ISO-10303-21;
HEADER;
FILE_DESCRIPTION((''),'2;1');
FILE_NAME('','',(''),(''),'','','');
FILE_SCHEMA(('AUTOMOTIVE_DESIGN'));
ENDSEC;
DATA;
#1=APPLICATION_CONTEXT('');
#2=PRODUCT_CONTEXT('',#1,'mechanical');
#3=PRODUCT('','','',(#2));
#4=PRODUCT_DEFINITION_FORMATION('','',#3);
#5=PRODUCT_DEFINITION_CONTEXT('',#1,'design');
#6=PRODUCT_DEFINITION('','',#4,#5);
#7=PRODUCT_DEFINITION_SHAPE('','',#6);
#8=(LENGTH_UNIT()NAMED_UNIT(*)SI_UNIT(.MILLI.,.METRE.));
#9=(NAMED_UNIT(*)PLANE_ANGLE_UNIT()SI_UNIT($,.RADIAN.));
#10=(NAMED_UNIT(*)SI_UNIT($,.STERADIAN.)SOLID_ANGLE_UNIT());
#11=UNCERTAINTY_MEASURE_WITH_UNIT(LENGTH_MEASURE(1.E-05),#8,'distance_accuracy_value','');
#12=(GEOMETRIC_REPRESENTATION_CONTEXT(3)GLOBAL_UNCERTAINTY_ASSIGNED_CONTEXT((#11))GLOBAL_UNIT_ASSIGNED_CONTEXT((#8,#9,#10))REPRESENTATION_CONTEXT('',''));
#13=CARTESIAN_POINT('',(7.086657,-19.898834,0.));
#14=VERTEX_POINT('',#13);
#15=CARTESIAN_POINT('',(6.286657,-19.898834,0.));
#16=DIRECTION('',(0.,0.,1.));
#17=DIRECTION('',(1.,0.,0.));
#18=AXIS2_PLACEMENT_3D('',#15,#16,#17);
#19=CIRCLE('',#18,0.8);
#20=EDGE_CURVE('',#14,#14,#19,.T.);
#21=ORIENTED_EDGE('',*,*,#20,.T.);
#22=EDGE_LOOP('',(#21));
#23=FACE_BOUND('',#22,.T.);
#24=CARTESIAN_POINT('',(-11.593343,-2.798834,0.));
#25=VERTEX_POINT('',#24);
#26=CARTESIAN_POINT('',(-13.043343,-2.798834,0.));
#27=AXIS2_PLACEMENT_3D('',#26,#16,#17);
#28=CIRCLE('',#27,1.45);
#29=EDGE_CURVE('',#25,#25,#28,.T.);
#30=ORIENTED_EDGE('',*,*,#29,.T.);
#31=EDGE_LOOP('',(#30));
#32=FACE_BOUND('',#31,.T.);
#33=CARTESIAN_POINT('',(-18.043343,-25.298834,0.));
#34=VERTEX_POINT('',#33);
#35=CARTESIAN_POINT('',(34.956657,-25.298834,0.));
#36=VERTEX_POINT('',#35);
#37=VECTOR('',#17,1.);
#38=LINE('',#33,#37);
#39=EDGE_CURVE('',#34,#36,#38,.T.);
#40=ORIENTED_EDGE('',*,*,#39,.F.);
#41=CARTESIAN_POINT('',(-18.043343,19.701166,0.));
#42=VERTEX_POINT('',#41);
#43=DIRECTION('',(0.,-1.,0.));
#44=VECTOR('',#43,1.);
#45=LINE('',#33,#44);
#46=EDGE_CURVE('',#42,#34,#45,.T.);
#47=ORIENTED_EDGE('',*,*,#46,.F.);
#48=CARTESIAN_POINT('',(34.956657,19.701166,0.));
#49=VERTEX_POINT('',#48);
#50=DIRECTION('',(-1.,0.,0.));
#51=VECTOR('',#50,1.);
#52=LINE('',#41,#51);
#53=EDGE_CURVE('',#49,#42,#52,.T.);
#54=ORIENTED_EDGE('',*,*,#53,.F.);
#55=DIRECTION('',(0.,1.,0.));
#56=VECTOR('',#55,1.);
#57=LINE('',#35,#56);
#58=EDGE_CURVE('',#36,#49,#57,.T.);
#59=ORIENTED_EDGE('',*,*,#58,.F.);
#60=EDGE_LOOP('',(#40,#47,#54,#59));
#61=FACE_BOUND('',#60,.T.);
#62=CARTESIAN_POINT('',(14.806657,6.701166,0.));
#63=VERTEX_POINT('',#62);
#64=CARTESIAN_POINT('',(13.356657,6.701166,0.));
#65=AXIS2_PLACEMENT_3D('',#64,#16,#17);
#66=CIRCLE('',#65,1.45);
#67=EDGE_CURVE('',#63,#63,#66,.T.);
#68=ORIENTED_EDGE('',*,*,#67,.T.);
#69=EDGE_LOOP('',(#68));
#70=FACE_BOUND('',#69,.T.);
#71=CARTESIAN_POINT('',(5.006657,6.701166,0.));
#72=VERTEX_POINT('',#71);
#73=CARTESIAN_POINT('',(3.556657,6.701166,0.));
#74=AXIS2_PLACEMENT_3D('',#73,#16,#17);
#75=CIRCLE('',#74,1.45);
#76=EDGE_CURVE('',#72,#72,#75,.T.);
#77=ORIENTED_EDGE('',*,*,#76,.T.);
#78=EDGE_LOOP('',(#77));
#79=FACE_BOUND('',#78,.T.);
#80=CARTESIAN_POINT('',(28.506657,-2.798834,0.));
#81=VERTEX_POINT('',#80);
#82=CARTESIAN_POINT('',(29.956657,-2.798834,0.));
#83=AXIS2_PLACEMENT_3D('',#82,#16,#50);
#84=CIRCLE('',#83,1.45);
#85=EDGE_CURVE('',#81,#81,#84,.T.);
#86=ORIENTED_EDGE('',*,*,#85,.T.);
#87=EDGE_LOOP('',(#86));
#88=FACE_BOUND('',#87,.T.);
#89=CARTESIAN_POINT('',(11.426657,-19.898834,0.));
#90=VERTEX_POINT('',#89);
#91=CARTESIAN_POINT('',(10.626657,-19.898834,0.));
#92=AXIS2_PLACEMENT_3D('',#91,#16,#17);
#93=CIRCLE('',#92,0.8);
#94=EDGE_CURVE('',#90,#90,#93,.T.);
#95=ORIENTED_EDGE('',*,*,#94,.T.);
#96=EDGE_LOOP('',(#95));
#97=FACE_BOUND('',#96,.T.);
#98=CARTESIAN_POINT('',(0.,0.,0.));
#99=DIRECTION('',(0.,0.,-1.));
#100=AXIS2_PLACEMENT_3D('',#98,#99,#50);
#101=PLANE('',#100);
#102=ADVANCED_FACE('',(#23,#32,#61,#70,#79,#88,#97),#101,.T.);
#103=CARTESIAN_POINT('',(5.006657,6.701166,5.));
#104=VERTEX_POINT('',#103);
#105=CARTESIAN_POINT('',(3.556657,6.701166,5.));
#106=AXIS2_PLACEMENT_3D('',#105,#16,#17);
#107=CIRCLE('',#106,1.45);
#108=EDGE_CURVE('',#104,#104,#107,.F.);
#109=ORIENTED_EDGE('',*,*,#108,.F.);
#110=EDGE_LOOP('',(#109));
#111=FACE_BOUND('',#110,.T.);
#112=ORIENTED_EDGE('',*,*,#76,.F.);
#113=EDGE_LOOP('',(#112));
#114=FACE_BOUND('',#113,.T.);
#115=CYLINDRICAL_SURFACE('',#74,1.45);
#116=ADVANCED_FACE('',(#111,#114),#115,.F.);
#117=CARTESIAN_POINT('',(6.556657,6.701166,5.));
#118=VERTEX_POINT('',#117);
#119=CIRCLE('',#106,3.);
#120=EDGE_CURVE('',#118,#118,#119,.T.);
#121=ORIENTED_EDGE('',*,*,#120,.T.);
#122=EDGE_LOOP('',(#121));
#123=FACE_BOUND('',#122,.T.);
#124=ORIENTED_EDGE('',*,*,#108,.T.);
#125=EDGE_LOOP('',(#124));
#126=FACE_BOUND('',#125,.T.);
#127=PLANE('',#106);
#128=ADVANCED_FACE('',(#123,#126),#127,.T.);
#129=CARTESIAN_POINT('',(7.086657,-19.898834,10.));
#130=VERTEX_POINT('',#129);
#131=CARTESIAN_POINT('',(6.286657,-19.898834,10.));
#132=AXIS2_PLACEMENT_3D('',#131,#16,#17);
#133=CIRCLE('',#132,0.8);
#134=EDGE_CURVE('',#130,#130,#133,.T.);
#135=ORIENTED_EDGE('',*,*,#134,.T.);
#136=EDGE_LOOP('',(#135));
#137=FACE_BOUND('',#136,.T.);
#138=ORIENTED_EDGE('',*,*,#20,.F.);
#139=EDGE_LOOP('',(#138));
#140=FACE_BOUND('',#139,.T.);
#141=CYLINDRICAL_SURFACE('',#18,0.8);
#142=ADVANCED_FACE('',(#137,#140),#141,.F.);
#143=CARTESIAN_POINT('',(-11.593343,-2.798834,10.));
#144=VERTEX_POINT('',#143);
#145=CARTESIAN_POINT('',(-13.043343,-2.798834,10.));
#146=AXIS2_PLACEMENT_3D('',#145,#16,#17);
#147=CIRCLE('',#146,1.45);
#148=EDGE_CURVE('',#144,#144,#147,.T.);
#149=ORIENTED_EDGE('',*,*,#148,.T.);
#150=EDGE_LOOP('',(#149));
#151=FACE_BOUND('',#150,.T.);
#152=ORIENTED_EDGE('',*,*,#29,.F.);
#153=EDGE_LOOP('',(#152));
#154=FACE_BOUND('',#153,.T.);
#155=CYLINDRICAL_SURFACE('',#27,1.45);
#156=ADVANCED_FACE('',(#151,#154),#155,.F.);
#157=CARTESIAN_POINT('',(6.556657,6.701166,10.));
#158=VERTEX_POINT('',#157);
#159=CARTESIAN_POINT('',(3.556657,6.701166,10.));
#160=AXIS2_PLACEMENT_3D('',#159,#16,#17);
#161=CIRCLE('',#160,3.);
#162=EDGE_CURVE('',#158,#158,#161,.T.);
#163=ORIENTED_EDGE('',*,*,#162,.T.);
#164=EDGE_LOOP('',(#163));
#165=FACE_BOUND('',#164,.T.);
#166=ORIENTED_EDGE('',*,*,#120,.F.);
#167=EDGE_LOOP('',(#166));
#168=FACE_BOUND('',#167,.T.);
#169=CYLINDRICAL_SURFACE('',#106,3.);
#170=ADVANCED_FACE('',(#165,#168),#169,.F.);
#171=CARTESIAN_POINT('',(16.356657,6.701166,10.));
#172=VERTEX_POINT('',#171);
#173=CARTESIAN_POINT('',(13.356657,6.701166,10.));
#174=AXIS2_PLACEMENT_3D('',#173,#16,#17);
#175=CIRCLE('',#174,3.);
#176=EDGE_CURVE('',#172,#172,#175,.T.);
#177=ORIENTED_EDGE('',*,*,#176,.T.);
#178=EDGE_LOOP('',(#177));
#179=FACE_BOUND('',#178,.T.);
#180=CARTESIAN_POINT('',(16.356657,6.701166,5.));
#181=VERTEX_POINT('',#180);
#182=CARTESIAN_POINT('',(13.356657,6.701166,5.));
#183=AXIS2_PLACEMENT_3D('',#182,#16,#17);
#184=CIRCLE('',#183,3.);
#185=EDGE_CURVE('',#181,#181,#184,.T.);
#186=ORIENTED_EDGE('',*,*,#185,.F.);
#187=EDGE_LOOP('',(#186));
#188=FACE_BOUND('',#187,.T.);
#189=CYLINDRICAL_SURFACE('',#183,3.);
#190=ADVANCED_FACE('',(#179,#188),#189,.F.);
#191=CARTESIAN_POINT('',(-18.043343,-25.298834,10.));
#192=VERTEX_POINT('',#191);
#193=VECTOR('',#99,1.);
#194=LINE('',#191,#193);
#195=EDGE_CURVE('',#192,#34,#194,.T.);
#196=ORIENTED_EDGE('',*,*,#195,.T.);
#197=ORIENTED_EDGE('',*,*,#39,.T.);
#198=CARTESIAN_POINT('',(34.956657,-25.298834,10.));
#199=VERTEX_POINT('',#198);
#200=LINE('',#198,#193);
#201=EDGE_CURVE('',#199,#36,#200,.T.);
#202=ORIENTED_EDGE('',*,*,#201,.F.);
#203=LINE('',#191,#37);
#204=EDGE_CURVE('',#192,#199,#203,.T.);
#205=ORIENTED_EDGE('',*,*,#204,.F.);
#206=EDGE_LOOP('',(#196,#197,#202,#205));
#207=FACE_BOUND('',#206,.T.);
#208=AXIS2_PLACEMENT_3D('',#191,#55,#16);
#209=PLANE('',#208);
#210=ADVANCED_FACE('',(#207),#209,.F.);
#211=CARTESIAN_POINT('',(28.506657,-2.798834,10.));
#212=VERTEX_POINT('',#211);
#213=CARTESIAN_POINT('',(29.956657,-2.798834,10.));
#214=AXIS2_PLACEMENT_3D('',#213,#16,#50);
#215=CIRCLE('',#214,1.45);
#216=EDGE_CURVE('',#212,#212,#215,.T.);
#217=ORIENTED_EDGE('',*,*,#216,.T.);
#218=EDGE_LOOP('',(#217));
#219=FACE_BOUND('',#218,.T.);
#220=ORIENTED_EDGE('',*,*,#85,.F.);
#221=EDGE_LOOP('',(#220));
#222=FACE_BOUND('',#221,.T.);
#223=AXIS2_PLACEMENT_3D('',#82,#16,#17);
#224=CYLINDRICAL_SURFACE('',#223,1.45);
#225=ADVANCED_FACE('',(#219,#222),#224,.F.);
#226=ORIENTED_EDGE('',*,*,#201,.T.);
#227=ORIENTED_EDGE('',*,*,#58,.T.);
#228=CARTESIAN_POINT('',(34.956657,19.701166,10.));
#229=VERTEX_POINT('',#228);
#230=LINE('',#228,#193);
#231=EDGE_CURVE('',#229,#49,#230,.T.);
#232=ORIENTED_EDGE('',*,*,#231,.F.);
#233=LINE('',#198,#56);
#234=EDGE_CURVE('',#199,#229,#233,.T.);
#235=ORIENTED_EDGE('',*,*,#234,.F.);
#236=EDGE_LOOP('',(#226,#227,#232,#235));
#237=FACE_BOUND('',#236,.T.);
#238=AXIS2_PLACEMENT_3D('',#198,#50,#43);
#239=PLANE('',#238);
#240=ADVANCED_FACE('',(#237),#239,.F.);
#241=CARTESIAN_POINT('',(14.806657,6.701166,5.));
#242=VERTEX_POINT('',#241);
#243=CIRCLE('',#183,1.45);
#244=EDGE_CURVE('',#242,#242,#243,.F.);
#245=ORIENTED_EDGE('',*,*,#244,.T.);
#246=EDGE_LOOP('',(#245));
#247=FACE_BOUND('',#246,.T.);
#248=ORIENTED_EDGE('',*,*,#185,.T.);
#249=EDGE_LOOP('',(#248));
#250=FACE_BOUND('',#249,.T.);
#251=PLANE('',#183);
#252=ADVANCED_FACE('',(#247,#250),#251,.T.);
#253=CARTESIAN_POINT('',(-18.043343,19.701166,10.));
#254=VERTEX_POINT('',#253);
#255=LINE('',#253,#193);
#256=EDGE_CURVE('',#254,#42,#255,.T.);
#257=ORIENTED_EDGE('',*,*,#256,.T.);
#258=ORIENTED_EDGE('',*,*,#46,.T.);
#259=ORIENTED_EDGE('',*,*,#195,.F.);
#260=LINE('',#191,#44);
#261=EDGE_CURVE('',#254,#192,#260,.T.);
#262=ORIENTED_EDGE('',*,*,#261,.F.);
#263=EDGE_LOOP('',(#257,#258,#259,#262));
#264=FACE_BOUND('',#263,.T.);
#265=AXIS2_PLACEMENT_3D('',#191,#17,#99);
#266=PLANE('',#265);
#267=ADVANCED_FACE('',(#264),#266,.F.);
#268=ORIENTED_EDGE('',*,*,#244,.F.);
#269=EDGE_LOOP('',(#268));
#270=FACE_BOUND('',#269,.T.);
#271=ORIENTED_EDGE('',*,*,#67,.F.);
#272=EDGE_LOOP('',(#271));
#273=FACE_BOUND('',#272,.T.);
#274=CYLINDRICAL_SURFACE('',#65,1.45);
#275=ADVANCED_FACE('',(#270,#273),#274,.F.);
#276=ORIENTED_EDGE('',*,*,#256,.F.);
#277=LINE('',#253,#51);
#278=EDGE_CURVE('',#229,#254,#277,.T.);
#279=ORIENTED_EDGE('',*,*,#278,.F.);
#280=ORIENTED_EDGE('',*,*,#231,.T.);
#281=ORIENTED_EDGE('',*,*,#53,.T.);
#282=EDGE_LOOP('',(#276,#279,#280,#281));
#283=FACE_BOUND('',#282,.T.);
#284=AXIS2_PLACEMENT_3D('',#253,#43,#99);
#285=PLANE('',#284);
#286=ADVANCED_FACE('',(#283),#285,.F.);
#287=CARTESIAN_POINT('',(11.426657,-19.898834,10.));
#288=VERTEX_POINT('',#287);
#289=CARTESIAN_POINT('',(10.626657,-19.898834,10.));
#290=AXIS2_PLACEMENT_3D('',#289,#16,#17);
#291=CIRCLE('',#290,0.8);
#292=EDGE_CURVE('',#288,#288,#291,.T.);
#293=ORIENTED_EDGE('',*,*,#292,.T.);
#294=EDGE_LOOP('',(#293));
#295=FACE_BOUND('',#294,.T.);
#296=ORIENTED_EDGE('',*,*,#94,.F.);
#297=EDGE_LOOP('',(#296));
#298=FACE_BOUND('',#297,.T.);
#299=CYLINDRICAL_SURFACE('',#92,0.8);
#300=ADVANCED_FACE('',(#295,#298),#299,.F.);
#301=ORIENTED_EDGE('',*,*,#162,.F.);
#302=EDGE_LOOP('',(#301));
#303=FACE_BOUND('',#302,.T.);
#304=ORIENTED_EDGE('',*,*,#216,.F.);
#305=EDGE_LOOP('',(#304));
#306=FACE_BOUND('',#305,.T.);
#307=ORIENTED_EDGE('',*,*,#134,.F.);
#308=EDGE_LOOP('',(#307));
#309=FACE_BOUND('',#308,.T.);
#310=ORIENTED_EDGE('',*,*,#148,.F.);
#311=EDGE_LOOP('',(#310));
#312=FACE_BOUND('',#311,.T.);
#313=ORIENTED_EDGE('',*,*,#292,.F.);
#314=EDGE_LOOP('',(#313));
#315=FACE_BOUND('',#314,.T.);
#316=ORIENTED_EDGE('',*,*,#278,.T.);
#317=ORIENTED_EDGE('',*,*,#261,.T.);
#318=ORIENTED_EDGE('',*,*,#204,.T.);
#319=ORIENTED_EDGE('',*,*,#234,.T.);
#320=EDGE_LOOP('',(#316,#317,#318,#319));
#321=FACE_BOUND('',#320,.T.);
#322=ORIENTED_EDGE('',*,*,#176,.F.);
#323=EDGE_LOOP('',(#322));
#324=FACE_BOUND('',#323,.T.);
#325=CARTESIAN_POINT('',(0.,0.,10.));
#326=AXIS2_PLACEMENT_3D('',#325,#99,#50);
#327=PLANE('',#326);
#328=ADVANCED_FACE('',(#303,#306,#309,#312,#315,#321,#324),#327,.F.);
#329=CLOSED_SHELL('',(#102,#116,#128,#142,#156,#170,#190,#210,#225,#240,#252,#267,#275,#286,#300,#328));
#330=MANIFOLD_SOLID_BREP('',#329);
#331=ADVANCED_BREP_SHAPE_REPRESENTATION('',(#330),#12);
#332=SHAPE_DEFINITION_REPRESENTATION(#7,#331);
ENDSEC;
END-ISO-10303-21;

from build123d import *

# Parameters (mm, degrees)
CROQUIS1_W              = 53
CROQUIS1_H              = 45
SALIENTE_EXTRUIR1_DEPTH = 10
CROQUIS2_R              = 0.8
CORTAR_EXTRUIR1_DEPTH   = 10
CROQUIS3_R              = 1.45
CORTAR_EXTRUIR2_DEPTH   = 10
CROQUIS4_R              = 3
CORTAR_EXTRUIR3_DEPTH   = 5
CROQUIS5_R              = 1.45
CORTAR_EXTRUIR4_DEPTH   = 10


with BuildPart() as part:
    # Croquis1 → Saliente-Extruir1 (new body)
    with BuildSketch(Plane.XY):
        with Locations((8.456656727, -2.798833819)):
            Rectangle(CROQUIS1_W, CROQUIS1_H)
    extrude(amount=SALIENTE_EXTRUIR1_DEPTH)

    # Croquis2 → Cortar-Extruir1 (cut)
    with BuildSketch(Plane.XY.offset(10)):
        with Locations((6.286656727, -19.898833819)):
            Circle(CROQUIS2_R)
        with Locations((10.626656727, -19.898833819)):
            Circle(CROQUIS2_R)
    extrude(amount=-CORTAR_EXTRUIR1_DEPTH, mode=Mode.SUBTRACT)

    # Croquis3 → Cortar-Extruir2 (cut)
    with BuildSketch(Plane.XY.offset(10)):
        with Locations((13.356656727, 6.701166181)):
            Circle(CROQUIS3_R)
        with Locations((3.556656727, 6.701166181)):
            Circle(CROQUIS3_R)
    extrude(amount=-CORTAR_EXTRUIR2_DEPTH, mode=Mode.SUBTRACT)

    # Croquis4 → Cortar-Extruir3 (cut)
    with BuildSketch(Plane.XY.offset(10)):
        with Locations((3.556656727, 6.701166181)):
            Circle(CROQUIS4_R)
        with Locations((13.356656727, 6.701166181)):
            Circle(CROQUIS4_R)
    extrude(amount=-CORTAR_EXTRUIR3_DEPTH, mode=Mode.SUBTRACT)

    # Croquis5 → Cortar-Extruir4 (cut)
    with BuildSketch(Plane.XY.offset(10)):
        with Locations((-13.043343273, -2.798833819)):
            Circle(CROQUIS5_R)
        with Locations(Location((29.956656727, -2.798833819, 0), (0, 0, 180))):
            Circle(CROQUIS5_R)
    extrude(amount=-CORTAR_EXTRUIR4_DEPTH, mode=Mode.SUBTRACT)


solid = part.part
